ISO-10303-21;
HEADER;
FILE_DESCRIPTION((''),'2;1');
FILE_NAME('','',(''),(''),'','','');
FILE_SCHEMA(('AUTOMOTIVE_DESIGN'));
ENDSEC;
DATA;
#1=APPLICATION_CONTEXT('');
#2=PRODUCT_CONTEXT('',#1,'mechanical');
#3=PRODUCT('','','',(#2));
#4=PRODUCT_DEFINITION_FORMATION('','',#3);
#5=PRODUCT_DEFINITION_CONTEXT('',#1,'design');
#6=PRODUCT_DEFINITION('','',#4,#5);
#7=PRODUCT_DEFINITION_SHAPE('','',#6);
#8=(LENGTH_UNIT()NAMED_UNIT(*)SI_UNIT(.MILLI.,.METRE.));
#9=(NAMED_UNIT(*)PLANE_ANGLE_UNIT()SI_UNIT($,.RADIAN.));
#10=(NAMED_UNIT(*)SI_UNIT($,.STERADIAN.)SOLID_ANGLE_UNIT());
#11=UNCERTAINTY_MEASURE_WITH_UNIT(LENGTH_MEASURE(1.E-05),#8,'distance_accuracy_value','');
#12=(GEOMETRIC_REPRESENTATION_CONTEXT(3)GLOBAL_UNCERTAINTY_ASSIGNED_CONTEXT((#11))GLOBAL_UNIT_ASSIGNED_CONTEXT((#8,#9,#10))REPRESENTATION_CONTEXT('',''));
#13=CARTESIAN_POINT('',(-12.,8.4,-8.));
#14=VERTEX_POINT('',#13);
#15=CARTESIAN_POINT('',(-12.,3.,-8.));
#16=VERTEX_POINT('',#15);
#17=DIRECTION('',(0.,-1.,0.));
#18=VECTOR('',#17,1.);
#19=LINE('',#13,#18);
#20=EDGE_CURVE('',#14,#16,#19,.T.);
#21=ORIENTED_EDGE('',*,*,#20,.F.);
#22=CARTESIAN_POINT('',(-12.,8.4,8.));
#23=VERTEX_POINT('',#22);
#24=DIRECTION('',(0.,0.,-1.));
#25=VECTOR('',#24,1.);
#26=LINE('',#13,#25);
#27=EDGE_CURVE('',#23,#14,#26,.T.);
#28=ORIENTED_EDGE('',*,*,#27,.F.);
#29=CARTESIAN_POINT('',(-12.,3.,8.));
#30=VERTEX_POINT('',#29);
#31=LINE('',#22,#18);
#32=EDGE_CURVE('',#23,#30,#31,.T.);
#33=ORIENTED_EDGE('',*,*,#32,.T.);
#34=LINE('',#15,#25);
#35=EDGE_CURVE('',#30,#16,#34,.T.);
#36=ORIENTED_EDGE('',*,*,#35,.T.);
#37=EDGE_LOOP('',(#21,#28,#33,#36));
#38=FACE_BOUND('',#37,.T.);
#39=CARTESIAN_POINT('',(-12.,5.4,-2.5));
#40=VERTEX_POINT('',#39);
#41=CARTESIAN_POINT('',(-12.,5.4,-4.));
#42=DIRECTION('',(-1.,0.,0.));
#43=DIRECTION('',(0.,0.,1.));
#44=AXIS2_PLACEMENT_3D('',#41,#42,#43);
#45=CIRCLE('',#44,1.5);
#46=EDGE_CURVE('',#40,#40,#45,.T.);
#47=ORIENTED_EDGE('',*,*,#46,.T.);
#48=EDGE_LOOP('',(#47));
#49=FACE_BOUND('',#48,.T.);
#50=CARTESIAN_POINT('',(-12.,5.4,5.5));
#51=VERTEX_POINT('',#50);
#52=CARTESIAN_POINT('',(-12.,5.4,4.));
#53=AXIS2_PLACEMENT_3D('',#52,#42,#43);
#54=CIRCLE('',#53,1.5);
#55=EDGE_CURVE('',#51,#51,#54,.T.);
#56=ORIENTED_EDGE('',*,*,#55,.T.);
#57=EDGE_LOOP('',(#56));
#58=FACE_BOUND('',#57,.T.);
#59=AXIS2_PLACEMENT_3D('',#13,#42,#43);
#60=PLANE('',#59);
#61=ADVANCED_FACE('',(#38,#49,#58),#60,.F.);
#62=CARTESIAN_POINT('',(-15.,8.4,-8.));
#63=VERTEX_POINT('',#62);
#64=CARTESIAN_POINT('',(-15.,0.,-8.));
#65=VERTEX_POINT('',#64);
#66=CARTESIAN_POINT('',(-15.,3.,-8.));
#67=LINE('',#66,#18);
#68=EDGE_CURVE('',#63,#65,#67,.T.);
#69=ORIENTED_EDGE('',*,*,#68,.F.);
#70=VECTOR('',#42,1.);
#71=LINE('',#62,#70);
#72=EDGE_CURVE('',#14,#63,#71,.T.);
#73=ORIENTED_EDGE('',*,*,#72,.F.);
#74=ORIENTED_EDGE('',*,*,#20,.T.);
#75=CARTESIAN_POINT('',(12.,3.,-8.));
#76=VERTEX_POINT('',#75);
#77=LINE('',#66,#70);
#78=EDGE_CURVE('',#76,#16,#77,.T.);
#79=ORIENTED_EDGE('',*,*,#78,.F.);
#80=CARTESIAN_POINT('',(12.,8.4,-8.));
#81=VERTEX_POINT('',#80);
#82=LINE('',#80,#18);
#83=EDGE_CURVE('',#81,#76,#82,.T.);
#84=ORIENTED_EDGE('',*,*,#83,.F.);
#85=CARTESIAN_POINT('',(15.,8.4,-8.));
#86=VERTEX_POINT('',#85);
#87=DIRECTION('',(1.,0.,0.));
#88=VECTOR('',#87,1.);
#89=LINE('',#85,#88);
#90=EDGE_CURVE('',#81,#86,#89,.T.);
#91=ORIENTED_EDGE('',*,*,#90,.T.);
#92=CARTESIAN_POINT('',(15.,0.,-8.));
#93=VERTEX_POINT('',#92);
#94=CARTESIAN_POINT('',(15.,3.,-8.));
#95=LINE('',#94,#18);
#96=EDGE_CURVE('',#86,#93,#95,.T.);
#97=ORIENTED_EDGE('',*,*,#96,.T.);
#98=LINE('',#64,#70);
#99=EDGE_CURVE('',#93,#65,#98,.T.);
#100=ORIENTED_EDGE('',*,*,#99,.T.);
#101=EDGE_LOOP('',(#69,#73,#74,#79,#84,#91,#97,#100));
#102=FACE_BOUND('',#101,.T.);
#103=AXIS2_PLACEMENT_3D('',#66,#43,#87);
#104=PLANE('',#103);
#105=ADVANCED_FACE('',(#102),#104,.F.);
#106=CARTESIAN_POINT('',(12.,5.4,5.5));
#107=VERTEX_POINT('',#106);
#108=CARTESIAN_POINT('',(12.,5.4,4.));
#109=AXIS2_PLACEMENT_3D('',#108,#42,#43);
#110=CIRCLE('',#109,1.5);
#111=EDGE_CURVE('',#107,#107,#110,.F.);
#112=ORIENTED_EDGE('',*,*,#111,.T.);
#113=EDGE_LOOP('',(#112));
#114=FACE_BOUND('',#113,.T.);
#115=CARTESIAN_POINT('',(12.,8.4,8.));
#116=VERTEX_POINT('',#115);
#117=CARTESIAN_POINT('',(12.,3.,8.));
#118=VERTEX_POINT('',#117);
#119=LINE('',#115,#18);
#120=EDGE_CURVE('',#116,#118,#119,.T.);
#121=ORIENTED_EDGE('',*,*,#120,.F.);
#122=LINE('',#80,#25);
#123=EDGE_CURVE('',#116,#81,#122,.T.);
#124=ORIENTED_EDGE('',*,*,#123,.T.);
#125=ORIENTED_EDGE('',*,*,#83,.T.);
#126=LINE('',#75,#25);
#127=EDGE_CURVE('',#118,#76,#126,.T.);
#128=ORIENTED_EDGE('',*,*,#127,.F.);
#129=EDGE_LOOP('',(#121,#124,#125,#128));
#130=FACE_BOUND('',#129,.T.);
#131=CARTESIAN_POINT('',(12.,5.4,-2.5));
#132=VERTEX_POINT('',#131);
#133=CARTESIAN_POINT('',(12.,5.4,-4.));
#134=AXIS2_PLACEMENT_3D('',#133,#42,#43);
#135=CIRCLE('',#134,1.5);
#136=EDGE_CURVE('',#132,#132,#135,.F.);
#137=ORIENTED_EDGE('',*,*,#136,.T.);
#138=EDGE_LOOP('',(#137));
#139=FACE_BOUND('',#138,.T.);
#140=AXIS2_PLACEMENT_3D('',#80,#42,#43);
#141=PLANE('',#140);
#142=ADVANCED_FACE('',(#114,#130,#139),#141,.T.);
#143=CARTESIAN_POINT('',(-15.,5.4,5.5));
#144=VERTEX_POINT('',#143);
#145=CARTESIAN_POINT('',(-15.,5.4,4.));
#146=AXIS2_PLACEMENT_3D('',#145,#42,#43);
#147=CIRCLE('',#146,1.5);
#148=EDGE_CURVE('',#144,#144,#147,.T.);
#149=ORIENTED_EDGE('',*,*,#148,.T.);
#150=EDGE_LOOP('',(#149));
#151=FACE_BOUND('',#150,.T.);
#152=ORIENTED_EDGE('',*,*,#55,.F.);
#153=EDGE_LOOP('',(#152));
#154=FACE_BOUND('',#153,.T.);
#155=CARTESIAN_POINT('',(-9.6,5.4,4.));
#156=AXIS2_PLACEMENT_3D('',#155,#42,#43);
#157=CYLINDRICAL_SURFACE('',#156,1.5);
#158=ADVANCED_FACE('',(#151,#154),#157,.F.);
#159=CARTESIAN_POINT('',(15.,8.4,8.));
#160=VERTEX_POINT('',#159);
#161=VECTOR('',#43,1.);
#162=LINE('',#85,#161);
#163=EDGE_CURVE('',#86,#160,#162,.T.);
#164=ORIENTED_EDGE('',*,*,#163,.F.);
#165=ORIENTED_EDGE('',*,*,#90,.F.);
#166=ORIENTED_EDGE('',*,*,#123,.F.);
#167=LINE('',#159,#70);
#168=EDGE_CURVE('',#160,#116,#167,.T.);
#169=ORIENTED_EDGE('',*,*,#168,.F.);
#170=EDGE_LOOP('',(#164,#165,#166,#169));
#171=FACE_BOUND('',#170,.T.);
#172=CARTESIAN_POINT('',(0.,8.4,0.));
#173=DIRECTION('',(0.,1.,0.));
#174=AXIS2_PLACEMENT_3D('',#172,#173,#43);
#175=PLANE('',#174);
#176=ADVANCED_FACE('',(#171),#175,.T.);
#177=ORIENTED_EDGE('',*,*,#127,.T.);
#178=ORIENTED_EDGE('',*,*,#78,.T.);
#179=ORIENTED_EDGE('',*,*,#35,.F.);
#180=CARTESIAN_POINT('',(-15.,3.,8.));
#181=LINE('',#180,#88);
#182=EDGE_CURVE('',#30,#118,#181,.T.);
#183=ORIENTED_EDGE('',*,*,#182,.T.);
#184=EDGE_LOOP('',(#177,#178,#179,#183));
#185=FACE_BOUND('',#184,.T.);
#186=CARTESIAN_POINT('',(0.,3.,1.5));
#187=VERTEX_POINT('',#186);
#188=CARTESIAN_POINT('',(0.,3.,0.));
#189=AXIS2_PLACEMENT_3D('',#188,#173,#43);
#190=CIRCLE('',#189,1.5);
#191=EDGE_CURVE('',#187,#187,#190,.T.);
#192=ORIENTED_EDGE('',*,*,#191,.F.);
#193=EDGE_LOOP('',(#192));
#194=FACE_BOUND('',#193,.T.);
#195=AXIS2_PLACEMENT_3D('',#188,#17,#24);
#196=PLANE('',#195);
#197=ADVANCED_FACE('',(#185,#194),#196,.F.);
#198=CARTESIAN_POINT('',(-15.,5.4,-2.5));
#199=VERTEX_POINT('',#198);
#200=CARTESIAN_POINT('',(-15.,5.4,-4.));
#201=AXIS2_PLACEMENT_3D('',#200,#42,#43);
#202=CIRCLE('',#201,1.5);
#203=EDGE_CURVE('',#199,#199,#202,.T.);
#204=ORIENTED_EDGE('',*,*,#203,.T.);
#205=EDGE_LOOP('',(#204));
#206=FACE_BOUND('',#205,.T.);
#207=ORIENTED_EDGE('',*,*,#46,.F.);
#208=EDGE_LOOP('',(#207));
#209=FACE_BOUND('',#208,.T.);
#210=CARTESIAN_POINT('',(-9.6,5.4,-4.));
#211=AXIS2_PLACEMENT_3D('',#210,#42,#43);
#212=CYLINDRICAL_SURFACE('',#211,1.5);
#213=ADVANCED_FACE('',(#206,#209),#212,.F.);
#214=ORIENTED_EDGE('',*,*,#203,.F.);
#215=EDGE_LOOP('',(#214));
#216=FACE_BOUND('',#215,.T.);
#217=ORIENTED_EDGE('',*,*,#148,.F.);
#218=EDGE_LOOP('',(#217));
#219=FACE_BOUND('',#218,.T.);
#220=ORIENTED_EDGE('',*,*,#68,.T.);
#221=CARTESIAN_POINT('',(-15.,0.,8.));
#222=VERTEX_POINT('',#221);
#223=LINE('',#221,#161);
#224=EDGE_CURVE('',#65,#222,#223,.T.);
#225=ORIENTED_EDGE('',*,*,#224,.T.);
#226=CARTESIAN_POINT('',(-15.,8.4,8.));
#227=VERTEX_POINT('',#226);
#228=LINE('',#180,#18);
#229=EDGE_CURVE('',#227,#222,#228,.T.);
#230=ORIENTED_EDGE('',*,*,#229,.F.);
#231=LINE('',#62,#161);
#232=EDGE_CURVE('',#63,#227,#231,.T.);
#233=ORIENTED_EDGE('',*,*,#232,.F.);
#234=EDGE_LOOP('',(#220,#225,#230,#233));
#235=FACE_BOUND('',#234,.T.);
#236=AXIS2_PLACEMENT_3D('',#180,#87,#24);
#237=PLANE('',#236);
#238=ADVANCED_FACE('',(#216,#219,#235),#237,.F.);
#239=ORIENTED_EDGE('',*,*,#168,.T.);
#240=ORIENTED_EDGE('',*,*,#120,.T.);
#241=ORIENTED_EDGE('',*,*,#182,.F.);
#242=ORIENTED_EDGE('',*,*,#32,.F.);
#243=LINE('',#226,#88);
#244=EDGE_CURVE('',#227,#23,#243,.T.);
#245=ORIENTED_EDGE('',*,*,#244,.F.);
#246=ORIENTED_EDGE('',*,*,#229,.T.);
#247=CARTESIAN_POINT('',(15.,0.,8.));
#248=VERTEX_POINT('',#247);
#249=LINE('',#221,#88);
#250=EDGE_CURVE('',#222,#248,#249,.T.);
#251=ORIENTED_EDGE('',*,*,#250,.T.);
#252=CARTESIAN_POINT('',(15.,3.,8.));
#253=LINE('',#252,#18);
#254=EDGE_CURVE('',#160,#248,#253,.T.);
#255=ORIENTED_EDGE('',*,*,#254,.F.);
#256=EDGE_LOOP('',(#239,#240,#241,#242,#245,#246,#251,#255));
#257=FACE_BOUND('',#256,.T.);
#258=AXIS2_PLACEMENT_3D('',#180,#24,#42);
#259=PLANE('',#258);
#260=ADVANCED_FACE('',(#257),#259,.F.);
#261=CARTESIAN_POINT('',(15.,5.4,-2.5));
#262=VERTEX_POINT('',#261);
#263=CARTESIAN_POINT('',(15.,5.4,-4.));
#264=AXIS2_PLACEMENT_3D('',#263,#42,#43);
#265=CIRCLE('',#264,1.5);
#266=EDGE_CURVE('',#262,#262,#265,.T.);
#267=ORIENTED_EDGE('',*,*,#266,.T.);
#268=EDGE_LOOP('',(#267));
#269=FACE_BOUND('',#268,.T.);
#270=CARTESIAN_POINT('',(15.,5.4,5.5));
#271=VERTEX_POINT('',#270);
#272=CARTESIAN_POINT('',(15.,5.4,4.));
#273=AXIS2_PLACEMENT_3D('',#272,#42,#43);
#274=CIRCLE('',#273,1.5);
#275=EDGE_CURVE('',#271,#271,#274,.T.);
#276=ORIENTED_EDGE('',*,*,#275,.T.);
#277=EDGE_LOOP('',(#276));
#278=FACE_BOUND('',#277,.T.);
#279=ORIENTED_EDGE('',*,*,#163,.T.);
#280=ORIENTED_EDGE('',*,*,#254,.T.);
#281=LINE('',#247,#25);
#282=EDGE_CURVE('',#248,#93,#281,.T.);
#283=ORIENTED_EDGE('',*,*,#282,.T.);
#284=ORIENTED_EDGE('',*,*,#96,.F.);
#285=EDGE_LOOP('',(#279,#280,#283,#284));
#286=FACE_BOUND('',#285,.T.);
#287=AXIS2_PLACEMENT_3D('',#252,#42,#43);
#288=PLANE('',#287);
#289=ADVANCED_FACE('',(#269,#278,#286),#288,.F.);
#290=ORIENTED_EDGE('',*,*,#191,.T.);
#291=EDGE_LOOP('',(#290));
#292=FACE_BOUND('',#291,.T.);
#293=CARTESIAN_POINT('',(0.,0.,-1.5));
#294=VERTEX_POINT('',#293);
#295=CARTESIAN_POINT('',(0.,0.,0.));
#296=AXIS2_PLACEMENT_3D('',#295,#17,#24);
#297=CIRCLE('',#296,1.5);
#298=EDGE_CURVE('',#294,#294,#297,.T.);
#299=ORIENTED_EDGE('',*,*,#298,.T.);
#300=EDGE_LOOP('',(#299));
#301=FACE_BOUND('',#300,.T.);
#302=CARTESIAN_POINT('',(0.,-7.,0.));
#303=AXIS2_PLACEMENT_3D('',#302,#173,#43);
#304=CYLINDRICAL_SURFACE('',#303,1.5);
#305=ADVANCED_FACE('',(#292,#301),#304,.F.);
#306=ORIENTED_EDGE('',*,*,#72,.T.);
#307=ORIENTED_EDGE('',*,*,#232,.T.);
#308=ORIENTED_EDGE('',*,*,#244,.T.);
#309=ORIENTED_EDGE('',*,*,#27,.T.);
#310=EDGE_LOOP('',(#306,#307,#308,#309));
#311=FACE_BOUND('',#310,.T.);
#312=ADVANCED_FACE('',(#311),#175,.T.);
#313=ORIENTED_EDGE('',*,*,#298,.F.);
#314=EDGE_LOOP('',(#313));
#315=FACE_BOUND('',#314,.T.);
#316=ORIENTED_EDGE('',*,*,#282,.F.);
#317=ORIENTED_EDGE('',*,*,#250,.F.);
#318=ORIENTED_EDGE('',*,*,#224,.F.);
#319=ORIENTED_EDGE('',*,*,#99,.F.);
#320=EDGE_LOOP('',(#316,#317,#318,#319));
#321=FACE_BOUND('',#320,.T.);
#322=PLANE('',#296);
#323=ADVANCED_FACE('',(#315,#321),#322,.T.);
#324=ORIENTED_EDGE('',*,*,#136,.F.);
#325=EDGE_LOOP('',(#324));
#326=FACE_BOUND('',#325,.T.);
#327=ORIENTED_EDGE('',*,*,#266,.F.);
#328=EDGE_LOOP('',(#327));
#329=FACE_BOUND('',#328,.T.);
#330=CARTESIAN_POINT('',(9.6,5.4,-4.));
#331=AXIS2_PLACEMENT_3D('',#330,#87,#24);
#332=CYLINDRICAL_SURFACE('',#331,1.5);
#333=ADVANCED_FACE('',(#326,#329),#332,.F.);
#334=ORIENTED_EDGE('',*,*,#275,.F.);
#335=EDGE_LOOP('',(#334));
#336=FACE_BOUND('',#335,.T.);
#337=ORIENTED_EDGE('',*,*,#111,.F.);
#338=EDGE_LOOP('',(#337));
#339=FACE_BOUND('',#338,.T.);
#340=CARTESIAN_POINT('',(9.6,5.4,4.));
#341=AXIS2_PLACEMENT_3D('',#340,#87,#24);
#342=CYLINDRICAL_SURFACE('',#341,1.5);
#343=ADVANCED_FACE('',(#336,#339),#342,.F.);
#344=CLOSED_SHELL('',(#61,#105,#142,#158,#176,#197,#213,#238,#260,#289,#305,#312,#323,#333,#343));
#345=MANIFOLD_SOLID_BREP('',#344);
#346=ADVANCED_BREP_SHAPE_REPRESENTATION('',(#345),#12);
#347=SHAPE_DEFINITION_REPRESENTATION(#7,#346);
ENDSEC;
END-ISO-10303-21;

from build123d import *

# Parameters (mm, degrees)
SKETCH1_W           = 30
SKETCH1_H           = 16
BOSS_EXTRUDE1_DEPTH = 3
SKETCH2_W           = 3
SKETCH2_H           = 16
BOSS_EXTRUDE2_DEPTH = 5.4
SKETCH3_R           = 1.5
CUT_EXTRUDE1_DEPTH  = 5.4
SKETCH4_R           = 1.5
CUT_EXTRUDE2_DEPTH  = 10


with BuildPart() as part:
    # Sketch1 → Boss-Extrude1 (new body)
    with BuildSketch(Plane(origin=(0, 0, 0), x_dir=(1, 0, 0), z_dir=(0, 1, 0))):
        Rectangle(SKETCH1_W, SKETCH1_H)
    extrude(amount=BOSS_EXTRUDE1_DEPTH)

    # Sketch2 → Boss-Extrude2 (add)
    with BuildSketch(Plane(origin=(0, 3, 0), x_dir=(1, 0, 0), z_dir=(0, 1, 0))):
        with Locations((-13.5, 0)):
            Rectangle(SKETCH2_W, SKETCH2_H)
    boss_extrude2 = extrude(amount=BOSS_EXTRUDE2_DEPTH)

    # Sketch3 → Cut-Extrude1 (cut)
    with BuildSketch(Plane.ZY.offset(15)):
        with Locations((-4, 5.4)):
            Circle(SKETCH3_R)
        with Locations((4, 5.4)):
            Circle(SKETCH3_R)
    cut_extrude1 = extrude(amount=-CUT_EXTRUDE1_DEPTH, mode=Mode.SUBTRACT)

    # Mirror1: Boss-Extrude2, Cut-Extrude1 across plane
    add(boss_extrude2.mirror(Plane(origin=(0, 0, 0), x_dir=(0, 0, 1), z_dir=(1, 0, 0))))
    add(cut_extrude1.mirror(Plane(origin=(0, 0, 0), x_dir=(0, 0, 1), z_dir=(1, 0, 0))), mode=Mode.SUBTRACT)

    # Sketch4 → Cut-Extrude2 (cut)
    with BuildSketch(Plane(origin=(0, 3, 0), x_dir=(1, 0, 0), z_dir=(0, 1, 0))):
        Circle(SKETCH4_R)
    extrude(amount=-CUT_EXTRUDE2_DEPTH, mode=Mode.SUBTRACT)


solid = part.part
